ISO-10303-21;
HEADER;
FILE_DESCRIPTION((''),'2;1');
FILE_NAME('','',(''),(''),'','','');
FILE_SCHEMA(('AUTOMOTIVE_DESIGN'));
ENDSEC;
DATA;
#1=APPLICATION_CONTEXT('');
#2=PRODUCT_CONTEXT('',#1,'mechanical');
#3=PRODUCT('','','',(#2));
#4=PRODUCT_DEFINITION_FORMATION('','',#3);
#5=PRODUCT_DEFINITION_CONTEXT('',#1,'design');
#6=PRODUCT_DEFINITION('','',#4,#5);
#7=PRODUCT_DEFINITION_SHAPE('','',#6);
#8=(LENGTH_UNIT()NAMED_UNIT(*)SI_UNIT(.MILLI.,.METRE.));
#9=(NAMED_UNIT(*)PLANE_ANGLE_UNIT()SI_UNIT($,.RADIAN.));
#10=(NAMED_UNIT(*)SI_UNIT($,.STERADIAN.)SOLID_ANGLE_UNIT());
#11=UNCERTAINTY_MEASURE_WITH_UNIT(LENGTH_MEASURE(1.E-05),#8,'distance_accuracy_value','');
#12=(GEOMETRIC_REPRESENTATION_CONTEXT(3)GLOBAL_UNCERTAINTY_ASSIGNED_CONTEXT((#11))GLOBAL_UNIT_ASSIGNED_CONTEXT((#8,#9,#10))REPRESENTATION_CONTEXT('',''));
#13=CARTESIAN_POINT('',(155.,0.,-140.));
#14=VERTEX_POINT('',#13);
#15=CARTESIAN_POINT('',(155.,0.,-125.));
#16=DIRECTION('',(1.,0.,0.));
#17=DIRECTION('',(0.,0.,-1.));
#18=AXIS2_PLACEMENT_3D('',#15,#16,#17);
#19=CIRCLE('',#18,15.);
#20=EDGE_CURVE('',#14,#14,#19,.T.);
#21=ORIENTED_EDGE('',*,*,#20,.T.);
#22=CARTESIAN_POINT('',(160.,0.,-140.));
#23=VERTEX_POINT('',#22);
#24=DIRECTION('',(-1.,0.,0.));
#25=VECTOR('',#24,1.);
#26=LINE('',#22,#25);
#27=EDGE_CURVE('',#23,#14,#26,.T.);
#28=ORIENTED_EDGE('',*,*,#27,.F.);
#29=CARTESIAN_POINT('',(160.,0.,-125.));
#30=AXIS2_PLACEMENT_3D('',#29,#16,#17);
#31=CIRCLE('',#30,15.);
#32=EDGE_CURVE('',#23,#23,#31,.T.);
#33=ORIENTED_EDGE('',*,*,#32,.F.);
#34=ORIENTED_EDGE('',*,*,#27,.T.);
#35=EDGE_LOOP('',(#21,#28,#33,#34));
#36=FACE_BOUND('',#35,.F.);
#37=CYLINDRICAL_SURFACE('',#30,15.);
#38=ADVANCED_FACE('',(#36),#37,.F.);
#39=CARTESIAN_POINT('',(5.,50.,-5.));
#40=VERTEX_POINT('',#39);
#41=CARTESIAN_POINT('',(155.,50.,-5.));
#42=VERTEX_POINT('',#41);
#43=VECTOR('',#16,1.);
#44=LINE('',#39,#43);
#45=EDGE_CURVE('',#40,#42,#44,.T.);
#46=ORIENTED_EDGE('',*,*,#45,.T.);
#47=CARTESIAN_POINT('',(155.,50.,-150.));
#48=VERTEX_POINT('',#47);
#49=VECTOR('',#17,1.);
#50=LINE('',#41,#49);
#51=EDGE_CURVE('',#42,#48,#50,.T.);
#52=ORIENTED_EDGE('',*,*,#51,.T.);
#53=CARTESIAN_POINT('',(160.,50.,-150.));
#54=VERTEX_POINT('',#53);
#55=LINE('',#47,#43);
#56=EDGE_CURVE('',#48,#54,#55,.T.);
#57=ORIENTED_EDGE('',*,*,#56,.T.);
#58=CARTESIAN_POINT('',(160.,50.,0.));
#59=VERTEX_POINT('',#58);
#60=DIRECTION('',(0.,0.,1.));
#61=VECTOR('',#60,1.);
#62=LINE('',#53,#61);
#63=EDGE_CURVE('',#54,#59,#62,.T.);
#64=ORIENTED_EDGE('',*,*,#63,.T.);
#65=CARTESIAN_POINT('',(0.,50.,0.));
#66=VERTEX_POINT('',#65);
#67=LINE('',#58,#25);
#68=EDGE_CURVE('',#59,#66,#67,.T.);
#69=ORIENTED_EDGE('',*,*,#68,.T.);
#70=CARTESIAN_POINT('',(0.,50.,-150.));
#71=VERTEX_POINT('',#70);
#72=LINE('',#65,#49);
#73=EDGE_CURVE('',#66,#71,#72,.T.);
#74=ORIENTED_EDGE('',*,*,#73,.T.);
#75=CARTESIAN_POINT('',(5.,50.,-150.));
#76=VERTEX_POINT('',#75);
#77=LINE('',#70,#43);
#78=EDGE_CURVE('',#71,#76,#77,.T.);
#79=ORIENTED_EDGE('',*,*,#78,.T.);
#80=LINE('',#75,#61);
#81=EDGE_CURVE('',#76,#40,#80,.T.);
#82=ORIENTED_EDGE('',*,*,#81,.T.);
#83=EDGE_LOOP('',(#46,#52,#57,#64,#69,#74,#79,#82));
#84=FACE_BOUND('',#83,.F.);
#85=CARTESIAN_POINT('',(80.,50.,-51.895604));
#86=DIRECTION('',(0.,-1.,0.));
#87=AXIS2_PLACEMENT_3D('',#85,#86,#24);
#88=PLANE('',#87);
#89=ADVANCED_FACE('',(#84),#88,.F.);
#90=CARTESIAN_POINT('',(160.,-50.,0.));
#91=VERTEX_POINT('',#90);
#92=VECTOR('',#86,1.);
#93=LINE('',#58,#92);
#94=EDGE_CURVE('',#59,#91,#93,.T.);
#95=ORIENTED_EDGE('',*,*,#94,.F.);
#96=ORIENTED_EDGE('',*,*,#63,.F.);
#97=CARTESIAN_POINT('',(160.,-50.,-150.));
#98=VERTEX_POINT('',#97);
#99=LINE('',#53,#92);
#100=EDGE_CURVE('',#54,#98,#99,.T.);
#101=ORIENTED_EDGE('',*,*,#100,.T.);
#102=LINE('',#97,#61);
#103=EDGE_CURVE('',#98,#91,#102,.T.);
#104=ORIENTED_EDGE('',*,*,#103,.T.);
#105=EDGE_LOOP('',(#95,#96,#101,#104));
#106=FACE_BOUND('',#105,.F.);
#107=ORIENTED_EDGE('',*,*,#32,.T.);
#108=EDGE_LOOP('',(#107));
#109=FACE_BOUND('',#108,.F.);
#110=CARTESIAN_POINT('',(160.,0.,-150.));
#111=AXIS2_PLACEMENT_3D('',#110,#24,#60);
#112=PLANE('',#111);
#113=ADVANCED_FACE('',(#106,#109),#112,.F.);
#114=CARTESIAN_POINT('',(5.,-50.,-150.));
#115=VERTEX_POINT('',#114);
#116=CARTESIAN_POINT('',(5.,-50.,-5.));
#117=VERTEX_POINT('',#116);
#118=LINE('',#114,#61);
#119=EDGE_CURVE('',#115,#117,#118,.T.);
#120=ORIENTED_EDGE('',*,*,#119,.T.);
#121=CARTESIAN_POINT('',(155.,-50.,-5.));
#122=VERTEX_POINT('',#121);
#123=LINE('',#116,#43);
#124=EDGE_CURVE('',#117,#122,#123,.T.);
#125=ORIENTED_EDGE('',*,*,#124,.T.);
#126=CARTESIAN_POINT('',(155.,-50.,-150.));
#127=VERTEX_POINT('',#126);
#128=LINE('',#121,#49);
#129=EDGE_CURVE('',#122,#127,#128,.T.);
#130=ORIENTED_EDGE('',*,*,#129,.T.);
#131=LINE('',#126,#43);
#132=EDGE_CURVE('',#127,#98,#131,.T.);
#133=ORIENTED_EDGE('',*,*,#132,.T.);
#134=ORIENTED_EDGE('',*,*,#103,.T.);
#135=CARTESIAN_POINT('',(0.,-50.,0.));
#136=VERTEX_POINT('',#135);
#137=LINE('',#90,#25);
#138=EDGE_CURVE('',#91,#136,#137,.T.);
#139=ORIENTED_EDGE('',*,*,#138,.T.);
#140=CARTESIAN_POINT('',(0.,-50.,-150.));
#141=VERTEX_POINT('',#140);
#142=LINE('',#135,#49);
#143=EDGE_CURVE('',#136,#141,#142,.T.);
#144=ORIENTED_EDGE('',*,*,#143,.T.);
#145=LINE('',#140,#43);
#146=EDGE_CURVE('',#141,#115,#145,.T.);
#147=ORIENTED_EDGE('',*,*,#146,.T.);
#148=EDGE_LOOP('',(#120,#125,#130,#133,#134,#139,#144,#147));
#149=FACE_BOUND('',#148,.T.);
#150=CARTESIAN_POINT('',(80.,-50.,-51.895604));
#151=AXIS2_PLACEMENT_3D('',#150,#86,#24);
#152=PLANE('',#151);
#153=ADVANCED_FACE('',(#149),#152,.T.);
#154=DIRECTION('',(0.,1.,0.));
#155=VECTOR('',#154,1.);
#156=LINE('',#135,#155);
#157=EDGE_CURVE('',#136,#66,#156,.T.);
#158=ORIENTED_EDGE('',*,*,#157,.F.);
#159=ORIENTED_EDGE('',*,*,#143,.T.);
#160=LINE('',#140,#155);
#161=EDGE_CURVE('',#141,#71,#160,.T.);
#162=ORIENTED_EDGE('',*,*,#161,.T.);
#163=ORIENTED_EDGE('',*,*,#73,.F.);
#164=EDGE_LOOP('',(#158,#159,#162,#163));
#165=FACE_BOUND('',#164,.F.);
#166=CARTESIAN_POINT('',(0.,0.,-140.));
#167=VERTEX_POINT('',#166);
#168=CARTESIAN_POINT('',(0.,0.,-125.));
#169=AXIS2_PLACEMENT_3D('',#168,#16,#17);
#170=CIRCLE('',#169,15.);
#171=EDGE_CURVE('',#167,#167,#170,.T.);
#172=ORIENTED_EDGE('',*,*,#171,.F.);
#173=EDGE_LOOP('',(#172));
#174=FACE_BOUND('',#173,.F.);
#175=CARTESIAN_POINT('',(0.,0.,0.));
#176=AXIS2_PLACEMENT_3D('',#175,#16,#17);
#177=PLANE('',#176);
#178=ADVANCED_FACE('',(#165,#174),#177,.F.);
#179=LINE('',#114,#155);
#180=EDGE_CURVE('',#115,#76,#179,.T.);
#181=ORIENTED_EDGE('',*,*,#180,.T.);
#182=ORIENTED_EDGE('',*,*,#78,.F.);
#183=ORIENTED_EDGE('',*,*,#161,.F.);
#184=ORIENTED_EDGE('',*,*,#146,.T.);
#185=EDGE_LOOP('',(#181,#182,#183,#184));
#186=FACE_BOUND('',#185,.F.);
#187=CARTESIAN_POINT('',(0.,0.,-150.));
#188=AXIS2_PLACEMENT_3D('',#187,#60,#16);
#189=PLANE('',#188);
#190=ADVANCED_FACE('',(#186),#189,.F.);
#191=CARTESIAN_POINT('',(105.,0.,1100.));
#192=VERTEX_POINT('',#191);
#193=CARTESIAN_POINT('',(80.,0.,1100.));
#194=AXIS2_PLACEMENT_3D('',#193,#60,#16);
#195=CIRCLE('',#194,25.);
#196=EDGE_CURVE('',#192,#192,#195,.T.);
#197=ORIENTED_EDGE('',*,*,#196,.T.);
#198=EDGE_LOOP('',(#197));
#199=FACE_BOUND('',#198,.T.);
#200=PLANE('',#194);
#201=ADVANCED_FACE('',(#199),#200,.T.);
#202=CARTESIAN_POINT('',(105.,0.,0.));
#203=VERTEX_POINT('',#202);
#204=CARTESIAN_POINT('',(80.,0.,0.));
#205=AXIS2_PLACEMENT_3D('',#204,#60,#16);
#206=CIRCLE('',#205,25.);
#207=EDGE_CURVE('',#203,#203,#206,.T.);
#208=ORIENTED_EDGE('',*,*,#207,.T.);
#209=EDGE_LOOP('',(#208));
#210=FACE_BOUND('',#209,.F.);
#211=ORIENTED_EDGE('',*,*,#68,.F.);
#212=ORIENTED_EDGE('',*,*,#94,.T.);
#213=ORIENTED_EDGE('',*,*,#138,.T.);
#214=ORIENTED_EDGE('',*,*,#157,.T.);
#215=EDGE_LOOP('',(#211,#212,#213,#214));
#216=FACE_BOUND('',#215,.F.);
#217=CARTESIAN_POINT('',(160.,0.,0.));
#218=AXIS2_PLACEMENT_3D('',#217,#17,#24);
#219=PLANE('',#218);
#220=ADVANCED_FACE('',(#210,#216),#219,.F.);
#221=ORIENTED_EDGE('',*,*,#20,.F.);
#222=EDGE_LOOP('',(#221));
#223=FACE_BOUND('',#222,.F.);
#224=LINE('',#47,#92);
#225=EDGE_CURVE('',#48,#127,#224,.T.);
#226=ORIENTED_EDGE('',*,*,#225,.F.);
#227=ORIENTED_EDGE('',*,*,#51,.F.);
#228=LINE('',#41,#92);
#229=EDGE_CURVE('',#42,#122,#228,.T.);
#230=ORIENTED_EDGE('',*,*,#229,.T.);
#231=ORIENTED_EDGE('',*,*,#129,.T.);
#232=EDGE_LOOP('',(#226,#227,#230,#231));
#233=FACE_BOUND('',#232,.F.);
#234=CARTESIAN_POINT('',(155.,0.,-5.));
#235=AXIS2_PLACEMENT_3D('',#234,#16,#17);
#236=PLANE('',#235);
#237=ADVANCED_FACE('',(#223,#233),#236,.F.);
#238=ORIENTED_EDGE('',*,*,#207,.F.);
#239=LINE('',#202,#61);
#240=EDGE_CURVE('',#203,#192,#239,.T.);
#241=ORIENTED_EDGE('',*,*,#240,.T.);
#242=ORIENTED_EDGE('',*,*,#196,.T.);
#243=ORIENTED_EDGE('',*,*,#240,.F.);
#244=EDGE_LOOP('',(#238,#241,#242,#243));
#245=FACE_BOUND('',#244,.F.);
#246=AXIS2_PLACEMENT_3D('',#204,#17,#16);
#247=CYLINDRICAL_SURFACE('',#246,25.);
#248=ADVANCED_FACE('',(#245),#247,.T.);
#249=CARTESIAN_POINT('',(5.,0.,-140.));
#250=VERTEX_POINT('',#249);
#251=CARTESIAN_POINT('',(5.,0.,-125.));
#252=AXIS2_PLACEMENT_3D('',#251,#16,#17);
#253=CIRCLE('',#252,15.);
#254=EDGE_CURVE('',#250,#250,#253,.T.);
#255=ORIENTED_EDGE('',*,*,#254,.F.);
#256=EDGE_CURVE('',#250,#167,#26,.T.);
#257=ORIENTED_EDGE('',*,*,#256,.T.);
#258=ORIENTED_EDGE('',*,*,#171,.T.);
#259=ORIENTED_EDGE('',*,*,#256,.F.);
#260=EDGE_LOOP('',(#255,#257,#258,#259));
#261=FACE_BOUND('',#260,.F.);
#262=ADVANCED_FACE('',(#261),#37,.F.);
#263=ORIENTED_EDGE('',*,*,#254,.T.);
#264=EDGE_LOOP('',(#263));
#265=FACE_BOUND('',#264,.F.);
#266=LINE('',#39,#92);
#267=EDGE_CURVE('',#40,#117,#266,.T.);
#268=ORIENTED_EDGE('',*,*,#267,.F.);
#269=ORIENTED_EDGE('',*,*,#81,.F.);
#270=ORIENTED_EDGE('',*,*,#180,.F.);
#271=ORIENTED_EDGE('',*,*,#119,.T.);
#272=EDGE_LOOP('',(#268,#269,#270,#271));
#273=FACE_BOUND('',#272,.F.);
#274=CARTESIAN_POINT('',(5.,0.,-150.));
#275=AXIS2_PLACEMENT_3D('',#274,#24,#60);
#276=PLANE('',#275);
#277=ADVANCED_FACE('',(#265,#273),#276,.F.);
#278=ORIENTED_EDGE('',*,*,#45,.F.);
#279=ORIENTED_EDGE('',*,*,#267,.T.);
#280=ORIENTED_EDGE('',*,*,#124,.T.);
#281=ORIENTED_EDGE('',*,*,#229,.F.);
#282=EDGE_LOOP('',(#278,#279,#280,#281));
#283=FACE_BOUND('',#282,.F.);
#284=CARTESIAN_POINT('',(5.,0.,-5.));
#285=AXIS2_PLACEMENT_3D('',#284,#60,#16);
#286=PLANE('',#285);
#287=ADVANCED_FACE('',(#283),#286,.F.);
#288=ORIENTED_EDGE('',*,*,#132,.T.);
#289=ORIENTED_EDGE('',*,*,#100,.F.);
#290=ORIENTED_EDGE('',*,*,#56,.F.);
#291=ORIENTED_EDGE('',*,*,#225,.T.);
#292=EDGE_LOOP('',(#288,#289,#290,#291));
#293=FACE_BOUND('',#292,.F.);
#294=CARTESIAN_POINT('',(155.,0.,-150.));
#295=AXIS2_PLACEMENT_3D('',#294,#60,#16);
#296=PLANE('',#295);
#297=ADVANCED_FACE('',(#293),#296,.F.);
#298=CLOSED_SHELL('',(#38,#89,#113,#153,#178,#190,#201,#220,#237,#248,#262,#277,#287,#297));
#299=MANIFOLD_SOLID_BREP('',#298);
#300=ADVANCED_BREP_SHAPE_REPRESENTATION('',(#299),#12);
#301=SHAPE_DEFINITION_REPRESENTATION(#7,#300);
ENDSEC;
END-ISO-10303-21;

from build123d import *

# Parameters (mm, degrees)
BOSS_EXTRUDE3_DEPTH = 50
SKETCH4_R           = 25
BOSS_EXTRUDE4_DEPTH = 1100
SKETCH5_R           = 15
CUT_EXTRUDE1_DEPTH  = 161


with BuildPart() as part:
    # Sketch1 → Boss-Extrude3 (new body, symmetric)
    with BuildSketch(Plane(origin=(0, 0, 0), x_dir=(1, 0, 0), z_dir=(0, 1, 0))):
        Polygon((5, 150), (5, 5), (155, 5), (155, 150), (160, 150), (160, 0), (0, 0), (0, 150), align=None)
    extrude(amount=BOSS_EXTRUDE3_DEPTH, both=True)

    # Sketch4 → Boss-Extrude4 (add)
    with BuildSketch(Plane.XY):
        with Locations((80, 0)):
            Circle(SKETCH4_R)
    extrude(amount=BOSS_EXTRUDE4_DEPTH)

    # Sketch5 → Cut-Extrude1 (cut, through all)
    with BuildSketch(Plane(origin=(160, 0, 0), x_dir=(0, 0, -1), z_dir=(1, 0, 0))):
        with Locations((125, 0)):
            Circle(SKETCH5_R)
    extrude(amount=-CUT_EXTRUDE1_DEPTH, mode=Mode.SUBTRACT)


solid = part.part
